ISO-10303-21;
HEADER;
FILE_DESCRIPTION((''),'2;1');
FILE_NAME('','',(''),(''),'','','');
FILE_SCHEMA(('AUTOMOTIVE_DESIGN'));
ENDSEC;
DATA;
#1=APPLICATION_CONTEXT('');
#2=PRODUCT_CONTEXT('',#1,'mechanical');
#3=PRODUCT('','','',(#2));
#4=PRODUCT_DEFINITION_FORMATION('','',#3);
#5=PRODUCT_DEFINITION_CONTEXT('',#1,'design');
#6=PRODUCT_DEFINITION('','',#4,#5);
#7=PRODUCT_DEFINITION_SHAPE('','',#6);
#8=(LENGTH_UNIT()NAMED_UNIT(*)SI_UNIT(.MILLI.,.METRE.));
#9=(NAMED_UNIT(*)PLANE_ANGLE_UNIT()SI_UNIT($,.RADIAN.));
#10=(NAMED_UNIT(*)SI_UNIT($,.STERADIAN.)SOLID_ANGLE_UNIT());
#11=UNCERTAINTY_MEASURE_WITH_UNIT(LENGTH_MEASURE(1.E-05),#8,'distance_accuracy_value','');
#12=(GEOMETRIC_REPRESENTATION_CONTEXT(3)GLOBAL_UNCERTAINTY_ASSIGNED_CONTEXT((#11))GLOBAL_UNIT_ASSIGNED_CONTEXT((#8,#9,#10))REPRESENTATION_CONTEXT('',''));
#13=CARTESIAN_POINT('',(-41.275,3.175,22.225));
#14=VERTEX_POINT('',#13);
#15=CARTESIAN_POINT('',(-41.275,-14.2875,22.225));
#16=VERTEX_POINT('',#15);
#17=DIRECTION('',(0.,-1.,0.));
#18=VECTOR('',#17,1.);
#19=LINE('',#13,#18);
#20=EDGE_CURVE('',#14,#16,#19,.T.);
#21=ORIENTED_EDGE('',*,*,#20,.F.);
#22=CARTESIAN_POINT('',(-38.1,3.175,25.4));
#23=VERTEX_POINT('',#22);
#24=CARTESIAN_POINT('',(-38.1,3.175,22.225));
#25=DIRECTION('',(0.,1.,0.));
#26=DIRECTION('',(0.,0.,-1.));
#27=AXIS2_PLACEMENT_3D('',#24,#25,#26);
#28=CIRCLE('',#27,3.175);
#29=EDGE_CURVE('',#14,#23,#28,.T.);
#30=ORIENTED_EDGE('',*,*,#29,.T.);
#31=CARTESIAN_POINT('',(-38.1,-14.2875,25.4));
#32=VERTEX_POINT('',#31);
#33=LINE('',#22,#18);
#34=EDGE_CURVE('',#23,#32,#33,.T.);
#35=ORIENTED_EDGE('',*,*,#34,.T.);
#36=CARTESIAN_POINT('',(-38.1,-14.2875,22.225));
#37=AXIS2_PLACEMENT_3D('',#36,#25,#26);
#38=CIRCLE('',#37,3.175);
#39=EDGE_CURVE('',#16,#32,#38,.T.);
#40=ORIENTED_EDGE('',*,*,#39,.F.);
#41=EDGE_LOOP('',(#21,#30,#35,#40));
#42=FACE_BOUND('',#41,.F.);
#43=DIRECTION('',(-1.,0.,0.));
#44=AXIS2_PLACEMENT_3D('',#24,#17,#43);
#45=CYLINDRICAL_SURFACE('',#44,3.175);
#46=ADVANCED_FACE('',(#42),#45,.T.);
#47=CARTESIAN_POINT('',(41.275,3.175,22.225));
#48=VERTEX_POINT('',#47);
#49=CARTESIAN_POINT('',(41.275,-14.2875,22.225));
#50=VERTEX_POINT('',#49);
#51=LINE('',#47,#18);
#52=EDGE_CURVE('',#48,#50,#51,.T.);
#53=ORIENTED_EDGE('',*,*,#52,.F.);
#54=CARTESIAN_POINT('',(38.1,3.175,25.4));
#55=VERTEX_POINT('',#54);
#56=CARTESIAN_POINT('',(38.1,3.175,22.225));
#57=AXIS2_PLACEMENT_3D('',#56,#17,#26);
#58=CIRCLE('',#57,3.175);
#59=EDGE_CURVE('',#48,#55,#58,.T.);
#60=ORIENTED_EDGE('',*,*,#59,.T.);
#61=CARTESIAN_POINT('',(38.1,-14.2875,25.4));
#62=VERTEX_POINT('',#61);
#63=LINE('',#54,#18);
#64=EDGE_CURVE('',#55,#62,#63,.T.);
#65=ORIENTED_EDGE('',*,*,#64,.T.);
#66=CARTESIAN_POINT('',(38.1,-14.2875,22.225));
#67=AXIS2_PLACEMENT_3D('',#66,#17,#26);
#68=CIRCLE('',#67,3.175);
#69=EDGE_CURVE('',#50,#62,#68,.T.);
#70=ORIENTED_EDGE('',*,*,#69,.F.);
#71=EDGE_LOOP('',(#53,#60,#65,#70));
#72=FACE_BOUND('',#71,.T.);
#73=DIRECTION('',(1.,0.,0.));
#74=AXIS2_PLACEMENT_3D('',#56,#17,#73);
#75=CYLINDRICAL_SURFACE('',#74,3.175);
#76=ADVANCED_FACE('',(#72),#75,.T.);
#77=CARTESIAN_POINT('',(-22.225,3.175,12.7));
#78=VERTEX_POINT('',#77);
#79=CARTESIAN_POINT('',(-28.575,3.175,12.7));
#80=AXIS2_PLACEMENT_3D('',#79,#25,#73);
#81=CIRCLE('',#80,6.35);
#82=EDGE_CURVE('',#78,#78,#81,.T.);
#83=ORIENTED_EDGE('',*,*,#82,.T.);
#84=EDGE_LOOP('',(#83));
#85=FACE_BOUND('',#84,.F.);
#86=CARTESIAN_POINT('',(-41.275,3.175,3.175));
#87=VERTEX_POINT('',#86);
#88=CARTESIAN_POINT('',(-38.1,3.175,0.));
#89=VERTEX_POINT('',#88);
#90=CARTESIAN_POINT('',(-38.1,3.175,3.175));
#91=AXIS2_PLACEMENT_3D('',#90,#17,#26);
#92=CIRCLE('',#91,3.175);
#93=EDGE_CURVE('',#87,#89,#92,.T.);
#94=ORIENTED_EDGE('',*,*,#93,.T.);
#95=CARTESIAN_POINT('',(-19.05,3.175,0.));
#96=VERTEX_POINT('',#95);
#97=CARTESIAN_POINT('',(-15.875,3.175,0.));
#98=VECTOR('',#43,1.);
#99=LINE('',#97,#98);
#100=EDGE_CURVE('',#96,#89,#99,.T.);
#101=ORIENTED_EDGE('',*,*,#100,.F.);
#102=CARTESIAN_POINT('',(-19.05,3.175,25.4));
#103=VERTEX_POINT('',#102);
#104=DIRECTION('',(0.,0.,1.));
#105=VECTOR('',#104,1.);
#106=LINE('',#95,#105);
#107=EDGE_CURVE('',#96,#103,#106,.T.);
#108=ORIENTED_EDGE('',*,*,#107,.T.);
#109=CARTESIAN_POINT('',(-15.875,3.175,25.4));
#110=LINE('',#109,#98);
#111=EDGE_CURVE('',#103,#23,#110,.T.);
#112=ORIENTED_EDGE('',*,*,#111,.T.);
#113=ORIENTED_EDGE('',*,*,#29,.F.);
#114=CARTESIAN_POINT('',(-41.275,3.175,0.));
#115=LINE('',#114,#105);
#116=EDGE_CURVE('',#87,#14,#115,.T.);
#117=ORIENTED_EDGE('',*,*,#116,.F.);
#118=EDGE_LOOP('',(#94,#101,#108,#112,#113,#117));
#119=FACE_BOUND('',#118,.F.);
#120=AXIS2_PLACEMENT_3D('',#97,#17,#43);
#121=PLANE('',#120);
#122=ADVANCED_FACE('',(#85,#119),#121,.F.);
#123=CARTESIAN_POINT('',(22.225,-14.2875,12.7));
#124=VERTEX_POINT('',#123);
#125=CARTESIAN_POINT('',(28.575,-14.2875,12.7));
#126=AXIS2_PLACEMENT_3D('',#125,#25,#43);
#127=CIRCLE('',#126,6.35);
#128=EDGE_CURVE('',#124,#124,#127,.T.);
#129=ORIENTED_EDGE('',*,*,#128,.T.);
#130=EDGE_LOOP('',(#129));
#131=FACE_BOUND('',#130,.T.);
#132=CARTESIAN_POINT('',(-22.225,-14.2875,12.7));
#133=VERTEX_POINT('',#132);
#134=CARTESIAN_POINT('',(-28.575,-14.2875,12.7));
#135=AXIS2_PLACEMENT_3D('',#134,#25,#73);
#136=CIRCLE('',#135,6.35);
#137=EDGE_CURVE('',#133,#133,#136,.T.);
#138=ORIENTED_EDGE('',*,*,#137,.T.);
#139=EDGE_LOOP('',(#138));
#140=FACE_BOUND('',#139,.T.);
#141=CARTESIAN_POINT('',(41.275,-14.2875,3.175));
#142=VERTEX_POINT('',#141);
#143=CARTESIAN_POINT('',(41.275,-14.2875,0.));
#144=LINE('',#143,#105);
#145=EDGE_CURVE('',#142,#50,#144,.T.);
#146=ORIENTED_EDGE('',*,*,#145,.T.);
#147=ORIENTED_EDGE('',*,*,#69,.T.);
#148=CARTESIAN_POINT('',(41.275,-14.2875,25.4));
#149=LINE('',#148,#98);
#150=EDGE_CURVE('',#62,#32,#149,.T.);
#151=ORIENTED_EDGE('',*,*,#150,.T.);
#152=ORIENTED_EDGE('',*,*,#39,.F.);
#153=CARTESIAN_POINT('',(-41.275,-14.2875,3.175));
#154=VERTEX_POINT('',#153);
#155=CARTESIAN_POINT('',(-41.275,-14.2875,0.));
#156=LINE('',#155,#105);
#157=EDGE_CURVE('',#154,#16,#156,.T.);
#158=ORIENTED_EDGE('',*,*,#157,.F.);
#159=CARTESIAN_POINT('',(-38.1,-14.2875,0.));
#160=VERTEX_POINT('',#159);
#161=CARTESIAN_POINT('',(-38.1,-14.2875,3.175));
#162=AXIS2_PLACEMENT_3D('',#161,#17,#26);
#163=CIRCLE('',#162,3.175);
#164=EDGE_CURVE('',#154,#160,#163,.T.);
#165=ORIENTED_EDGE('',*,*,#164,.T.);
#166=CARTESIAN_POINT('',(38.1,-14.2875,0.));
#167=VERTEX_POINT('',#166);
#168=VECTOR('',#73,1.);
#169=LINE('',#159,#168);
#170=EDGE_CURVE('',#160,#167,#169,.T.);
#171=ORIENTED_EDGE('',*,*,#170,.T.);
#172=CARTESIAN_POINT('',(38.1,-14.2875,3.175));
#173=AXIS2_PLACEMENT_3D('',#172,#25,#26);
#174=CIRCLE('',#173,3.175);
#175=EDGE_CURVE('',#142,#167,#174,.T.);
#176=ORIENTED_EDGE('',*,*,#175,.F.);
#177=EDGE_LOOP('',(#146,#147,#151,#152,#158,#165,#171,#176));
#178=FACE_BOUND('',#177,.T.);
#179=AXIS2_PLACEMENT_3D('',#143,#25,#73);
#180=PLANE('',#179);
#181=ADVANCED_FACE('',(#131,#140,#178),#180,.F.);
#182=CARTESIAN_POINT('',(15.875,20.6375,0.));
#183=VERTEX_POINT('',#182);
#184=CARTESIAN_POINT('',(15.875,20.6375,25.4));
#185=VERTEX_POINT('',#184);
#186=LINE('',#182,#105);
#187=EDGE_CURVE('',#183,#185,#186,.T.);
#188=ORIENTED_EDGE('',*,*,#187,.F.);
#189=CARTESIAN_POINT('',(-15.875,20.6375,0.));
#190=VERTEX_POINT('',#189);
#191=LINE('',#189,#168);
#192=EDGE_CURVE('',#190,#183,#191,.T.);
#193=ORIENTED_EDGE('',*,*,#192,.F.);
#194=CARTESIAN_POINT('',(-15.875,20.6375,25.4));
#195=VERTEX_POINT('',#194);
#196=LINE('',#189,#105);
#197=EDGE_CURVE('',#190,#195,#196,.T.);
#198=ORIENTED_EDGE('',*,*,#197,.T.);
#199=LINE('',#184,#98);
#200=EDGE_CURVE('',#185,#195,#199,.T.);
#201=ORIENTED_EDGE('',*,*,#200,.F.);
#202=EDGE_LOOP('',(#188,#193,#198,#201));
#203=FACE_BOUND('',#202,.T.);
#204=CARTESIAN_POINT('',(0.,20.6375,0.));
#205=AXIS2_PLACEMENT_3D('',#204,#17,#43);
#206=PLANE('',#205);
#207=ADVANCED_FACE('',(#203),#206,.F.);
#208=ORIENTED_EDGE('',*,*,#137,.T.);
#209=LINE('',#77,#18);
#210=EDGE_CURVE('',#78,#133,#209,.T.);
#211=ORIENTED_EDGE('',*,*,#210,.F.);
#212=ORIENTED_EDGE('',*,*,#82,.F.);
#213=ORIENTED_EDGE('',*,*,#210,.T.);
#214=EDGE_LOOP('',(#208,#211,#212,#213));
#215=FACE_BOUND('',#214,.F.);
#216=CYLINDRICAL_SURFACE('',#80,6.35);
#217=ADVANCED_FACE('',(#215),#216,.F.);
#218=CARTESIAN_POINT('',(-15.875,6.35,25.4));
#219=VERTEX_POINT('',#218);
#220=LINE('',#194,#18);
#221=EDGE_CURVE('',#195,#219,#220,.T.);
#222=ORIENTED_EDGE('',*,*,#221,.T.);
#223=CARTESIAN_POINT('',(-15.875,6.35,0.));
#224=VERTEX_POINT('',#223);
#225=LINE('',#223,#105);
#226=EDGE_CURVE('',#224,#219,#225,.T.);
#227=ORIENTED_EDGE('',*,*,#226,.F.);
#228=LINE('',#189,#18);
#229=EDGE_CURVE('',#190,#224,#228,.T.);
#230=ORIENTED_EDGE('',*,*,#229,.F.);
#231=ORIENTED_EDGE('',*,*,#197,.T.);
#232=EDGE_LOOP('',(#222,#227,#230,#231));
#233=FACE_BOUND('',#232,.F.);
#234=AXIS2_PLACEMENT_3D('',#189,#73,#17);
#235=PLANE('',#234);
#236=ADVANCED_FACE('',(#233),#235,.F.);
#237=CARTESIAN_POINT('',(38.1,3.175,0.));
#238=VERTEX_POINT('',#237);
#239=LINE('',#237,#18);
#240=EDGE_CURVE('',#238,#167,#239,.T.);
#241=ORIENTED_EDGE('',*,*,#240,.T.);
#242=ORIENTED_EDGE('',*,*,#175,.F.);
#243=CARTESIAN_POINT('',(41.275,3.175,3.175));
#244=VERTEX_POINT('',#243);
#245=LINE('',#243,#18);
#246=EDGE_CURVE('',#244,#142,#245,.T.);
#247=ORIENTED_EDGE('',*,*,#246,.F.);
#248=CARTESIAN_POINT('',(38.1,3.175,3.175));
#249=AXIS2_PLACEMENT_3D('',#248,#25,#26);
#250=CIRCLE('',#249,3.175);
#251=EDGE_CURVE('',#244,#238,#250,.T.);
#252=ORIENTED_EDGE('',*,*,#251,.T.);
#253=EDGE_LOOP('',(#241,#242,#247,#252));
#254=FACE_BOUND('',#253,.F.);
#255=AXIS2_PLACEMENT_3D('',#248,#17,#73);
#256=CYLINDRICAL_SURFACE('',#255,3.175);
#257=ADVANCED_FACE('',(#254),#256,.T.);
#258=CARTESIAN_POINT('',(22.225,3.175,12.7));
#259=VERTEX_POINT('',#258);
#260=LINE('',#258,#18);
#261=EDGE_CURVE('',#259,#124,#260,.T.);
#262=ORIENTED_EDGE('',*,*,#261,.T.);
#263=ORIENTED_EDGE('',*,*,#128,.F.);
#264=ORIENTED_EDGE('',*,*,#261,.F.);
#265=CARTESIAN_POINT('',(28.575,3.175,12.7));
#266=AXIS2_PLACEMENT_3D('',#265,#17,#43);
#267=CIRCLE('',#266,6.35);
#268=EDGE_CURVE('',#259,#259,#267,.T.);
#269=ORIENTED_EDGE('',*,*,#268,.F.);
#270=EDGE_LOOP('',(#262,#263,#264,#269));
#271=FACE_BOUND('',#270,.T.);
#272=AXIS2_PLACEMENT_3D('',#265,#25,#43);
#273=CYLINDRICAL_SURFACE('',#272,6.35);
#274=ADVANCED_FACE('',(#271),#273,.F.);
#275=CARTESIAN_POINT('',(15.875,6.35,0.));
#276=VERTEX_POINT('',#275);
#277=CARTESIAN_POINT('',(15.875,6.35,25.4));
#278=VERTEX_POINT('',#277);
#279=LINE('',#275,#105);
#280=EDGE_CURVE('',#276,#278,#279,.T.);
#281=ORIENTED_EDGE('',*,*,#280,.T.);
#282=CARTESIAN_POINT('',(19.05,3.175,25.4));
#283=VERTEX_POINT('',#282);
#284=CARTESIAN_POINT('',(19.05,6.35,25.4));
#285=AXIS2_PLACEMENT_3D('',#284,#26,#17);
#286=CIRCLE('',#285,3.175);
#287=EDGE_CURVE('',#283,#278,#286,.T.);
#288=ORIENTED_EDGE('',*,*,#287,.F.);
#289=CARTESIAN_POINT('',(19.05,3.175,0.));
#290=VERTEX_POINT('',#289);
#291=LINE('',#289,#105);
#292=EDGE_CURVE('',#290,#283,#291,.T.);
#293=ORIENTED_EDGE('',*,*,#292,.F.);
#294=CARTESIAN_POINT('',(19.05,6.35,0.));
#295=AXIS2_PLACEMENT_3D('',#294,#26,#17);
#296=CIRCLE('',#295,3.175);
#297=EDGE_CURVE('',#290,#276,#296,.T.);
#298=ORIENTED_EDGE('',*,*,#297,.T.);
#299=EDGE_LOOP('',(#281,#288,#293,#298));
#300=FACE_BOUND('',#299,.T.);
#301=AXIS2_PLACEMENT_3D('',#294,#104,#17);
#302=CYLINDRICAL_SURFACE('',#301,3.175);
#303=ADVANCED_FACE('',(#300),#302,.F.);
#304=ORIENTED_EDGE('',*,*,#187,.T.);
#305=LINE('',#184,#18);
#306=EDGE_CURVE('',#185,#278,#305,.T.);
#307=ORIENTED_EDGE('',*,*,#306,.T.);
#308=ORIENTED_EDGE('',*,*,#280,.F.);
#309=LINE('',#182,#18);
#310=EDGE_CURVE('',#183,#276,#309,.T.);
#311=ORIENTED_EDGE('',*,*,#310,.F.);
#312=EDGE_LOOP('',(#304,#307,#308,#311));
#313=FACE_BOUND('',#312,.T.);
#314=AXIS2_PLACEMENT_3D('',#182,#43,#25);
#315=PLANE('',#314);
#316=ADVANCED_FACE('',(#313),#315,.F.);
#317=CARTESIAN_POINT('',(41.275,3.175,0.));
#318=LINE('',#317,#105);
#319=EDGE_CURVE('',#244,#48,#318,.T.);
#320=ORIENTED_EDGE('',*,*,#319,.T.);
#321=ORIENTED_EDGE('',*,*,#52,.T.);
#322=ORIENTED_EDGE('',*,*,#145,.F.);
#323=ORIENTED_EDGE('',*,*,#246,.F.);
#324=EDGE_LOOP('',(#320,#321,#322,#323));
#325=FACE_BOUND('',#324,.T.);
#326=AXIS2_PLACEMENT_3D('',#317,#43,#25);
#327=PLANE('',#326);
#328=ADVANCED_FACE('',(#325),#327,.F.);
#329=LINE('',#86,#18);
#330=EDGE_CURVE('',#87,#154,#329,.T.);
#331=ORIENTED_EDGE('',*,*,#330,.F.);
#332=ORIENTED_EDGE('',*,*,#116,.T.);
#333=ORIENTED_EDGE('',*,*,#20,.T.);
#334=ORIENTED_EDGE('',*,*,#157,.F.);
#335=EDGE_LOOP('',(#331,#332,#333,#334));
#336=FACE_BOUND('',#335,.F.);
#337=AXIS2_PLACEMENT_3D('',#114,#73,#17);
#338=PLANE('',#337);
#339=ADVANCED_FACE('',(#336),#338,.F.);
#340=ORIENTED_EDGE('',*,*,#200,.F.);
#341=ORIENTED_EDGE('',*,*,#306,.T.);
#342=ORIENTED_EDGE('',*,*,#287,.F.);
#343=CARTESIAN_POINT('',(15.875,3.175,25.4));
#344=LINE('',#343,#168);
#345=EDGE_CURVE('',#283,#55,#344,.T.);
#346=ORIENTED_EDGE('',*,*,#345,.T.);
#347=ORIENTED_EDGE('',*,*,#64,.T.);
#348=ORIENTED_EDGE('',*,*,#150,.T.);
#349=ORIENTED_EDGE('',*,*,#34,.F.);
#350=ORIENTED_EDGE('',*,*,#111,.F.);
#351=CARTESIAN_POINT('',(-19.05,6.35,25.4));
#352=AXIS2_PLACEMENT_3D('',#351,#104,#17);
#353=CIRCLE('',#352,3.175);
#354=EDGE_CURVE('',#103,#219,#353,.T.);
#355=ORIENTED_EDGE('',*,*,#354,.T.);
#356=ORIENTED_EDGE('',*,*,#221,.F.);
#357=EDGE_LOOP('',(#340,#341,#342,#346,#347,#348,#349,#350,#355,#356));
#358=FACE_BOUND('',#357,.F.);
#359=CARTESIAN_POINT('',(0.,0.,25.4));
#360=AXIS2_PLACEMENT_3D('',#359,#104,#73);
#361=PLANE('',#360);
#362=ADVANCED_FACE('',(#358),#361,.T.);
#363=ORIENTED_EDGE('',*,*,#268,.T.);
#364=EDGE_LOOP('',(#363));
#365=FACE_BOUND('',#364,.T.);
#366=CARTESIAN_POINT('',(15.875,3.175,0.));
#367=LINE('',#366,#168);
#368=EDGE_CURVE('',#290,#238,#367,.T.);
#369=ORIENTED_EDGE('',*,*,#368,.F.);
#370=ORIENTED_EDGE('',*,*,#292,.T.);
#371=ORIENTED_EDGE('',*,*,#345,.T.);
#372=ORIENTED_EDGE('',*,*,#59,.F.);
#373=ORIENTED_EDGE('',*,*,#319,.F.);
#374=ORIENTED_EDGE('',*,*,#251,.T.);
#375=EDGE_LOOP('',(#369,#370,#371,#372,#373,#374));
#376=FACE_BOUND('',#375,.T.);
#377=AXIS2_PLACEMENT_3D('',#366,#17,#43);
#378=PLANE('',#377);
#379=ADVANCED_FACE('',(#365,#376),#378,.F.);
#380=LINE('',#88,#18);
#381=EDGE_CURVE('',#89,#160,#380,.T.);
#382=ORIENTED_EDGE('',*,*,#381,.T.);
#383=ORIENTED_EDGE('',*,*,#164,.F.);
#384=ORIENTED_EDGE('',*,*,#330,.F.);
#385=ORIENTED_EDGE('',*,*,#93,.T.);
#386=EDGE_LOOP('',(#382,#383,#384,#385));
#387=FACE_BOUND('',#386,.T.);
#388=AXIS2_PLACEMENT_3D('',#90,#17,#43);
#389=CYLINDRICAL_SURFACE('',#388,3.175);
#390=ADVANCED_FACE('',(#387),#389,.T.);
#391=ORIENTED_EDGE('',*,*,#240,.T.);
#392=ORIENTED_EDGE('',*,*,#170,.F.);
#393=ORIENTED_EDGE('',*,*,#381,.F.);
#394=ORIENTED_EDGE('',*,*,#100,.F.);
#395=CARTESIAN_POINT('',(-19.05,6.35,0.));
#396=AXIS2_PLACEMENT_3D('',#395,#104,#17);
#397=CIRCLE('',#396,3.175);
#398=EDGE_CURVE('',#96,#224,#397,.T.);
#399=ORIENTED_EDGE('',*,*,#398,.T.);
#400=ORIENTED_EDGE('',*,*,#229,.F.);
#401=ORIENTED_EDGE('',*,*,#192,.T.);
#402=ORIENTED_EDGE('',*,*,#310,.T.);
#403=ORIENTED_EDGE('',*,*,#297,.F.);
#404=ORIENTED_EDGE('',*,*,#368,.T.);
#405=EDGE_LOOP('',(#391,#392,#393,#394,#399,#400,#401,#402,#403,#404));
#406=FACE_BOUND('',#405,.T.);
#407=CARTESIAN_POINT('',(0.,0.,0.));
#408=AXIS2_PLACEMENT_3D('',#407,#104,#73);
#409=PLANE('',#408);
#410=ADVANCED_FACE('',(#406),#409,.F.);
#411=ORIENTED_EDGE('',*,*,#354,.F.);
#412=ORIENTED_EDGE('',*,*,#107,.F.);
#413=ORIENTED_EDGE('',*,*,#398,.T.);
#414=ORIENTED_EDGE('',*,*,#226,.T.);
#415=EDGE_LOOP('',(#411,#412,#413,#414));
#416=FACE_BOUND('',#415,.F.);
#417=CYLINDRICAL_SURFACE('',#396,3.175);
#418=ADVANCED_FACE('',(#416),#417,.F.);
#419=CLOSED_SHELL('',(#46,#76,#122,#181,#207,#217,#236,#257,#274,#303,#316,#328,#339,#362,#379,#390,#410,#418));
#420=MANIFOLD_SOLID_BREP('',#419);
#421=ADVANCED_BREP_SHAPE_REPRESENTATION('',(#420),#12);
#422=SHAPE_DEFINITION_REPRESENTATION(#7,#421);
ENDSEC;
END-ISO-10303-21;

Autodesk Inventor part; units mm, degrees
ref_plane "YZ Plane" through (0, 0, 0) normal (1, 0, 0) x (0, 1, 0)
ref_plane "XZ Plane" through (0, 0, 0) normal (0, 1, 0) x (-1, 0, 0)
ref_plane "XY Plane" through (0, 0, 0) normal (0, 0, 1) x (1, 0, 0)
sketch "Sketch1" plane through (0, 0, 0) normal (0, 0, 1) x (1, 0, 0)
  line L0 (0, -14.2875) -> (0, 20.6375)
  line L1 (0, 20.6375) -> (-15.875, 20.6375)
  line L2 (-15.875, 20.6375) -> (-15.875, 3.175)
  line L3 (-15.875, 3.175) -> (-41.275, 3.175)
  line L4 (-41.275, 3.175) -> (-41.275, -14.2875)
  line L5 (-41.275, -14.2875) -> (0, -14.2875)
extrude "Extrusion1" add sketch "Sketch1" along normal blind 25.4
sketch "Sketch2" plane through (-41.275, 3.175, 0) normal (0, 1, 0) x (1, 0, 0)
  circle A0 centre (12.7, -12.7) radius 6.35
extrude "Extrusion2" cut sketch "Sketch2" against normal through all
fillet "Fillet1" radius 3.175 3 edges at (-41.275, -5.5563, 25.4) (-41.275, -5.5563, 0) (-15.875, 3.175, 12.7)
mirror "Mirror1" about plane through (0, 20.6375, 0) normal (1, 0, 0) of "Extrusion1", "Extrusion2", "Fillet1"
properties part number "Left half"
